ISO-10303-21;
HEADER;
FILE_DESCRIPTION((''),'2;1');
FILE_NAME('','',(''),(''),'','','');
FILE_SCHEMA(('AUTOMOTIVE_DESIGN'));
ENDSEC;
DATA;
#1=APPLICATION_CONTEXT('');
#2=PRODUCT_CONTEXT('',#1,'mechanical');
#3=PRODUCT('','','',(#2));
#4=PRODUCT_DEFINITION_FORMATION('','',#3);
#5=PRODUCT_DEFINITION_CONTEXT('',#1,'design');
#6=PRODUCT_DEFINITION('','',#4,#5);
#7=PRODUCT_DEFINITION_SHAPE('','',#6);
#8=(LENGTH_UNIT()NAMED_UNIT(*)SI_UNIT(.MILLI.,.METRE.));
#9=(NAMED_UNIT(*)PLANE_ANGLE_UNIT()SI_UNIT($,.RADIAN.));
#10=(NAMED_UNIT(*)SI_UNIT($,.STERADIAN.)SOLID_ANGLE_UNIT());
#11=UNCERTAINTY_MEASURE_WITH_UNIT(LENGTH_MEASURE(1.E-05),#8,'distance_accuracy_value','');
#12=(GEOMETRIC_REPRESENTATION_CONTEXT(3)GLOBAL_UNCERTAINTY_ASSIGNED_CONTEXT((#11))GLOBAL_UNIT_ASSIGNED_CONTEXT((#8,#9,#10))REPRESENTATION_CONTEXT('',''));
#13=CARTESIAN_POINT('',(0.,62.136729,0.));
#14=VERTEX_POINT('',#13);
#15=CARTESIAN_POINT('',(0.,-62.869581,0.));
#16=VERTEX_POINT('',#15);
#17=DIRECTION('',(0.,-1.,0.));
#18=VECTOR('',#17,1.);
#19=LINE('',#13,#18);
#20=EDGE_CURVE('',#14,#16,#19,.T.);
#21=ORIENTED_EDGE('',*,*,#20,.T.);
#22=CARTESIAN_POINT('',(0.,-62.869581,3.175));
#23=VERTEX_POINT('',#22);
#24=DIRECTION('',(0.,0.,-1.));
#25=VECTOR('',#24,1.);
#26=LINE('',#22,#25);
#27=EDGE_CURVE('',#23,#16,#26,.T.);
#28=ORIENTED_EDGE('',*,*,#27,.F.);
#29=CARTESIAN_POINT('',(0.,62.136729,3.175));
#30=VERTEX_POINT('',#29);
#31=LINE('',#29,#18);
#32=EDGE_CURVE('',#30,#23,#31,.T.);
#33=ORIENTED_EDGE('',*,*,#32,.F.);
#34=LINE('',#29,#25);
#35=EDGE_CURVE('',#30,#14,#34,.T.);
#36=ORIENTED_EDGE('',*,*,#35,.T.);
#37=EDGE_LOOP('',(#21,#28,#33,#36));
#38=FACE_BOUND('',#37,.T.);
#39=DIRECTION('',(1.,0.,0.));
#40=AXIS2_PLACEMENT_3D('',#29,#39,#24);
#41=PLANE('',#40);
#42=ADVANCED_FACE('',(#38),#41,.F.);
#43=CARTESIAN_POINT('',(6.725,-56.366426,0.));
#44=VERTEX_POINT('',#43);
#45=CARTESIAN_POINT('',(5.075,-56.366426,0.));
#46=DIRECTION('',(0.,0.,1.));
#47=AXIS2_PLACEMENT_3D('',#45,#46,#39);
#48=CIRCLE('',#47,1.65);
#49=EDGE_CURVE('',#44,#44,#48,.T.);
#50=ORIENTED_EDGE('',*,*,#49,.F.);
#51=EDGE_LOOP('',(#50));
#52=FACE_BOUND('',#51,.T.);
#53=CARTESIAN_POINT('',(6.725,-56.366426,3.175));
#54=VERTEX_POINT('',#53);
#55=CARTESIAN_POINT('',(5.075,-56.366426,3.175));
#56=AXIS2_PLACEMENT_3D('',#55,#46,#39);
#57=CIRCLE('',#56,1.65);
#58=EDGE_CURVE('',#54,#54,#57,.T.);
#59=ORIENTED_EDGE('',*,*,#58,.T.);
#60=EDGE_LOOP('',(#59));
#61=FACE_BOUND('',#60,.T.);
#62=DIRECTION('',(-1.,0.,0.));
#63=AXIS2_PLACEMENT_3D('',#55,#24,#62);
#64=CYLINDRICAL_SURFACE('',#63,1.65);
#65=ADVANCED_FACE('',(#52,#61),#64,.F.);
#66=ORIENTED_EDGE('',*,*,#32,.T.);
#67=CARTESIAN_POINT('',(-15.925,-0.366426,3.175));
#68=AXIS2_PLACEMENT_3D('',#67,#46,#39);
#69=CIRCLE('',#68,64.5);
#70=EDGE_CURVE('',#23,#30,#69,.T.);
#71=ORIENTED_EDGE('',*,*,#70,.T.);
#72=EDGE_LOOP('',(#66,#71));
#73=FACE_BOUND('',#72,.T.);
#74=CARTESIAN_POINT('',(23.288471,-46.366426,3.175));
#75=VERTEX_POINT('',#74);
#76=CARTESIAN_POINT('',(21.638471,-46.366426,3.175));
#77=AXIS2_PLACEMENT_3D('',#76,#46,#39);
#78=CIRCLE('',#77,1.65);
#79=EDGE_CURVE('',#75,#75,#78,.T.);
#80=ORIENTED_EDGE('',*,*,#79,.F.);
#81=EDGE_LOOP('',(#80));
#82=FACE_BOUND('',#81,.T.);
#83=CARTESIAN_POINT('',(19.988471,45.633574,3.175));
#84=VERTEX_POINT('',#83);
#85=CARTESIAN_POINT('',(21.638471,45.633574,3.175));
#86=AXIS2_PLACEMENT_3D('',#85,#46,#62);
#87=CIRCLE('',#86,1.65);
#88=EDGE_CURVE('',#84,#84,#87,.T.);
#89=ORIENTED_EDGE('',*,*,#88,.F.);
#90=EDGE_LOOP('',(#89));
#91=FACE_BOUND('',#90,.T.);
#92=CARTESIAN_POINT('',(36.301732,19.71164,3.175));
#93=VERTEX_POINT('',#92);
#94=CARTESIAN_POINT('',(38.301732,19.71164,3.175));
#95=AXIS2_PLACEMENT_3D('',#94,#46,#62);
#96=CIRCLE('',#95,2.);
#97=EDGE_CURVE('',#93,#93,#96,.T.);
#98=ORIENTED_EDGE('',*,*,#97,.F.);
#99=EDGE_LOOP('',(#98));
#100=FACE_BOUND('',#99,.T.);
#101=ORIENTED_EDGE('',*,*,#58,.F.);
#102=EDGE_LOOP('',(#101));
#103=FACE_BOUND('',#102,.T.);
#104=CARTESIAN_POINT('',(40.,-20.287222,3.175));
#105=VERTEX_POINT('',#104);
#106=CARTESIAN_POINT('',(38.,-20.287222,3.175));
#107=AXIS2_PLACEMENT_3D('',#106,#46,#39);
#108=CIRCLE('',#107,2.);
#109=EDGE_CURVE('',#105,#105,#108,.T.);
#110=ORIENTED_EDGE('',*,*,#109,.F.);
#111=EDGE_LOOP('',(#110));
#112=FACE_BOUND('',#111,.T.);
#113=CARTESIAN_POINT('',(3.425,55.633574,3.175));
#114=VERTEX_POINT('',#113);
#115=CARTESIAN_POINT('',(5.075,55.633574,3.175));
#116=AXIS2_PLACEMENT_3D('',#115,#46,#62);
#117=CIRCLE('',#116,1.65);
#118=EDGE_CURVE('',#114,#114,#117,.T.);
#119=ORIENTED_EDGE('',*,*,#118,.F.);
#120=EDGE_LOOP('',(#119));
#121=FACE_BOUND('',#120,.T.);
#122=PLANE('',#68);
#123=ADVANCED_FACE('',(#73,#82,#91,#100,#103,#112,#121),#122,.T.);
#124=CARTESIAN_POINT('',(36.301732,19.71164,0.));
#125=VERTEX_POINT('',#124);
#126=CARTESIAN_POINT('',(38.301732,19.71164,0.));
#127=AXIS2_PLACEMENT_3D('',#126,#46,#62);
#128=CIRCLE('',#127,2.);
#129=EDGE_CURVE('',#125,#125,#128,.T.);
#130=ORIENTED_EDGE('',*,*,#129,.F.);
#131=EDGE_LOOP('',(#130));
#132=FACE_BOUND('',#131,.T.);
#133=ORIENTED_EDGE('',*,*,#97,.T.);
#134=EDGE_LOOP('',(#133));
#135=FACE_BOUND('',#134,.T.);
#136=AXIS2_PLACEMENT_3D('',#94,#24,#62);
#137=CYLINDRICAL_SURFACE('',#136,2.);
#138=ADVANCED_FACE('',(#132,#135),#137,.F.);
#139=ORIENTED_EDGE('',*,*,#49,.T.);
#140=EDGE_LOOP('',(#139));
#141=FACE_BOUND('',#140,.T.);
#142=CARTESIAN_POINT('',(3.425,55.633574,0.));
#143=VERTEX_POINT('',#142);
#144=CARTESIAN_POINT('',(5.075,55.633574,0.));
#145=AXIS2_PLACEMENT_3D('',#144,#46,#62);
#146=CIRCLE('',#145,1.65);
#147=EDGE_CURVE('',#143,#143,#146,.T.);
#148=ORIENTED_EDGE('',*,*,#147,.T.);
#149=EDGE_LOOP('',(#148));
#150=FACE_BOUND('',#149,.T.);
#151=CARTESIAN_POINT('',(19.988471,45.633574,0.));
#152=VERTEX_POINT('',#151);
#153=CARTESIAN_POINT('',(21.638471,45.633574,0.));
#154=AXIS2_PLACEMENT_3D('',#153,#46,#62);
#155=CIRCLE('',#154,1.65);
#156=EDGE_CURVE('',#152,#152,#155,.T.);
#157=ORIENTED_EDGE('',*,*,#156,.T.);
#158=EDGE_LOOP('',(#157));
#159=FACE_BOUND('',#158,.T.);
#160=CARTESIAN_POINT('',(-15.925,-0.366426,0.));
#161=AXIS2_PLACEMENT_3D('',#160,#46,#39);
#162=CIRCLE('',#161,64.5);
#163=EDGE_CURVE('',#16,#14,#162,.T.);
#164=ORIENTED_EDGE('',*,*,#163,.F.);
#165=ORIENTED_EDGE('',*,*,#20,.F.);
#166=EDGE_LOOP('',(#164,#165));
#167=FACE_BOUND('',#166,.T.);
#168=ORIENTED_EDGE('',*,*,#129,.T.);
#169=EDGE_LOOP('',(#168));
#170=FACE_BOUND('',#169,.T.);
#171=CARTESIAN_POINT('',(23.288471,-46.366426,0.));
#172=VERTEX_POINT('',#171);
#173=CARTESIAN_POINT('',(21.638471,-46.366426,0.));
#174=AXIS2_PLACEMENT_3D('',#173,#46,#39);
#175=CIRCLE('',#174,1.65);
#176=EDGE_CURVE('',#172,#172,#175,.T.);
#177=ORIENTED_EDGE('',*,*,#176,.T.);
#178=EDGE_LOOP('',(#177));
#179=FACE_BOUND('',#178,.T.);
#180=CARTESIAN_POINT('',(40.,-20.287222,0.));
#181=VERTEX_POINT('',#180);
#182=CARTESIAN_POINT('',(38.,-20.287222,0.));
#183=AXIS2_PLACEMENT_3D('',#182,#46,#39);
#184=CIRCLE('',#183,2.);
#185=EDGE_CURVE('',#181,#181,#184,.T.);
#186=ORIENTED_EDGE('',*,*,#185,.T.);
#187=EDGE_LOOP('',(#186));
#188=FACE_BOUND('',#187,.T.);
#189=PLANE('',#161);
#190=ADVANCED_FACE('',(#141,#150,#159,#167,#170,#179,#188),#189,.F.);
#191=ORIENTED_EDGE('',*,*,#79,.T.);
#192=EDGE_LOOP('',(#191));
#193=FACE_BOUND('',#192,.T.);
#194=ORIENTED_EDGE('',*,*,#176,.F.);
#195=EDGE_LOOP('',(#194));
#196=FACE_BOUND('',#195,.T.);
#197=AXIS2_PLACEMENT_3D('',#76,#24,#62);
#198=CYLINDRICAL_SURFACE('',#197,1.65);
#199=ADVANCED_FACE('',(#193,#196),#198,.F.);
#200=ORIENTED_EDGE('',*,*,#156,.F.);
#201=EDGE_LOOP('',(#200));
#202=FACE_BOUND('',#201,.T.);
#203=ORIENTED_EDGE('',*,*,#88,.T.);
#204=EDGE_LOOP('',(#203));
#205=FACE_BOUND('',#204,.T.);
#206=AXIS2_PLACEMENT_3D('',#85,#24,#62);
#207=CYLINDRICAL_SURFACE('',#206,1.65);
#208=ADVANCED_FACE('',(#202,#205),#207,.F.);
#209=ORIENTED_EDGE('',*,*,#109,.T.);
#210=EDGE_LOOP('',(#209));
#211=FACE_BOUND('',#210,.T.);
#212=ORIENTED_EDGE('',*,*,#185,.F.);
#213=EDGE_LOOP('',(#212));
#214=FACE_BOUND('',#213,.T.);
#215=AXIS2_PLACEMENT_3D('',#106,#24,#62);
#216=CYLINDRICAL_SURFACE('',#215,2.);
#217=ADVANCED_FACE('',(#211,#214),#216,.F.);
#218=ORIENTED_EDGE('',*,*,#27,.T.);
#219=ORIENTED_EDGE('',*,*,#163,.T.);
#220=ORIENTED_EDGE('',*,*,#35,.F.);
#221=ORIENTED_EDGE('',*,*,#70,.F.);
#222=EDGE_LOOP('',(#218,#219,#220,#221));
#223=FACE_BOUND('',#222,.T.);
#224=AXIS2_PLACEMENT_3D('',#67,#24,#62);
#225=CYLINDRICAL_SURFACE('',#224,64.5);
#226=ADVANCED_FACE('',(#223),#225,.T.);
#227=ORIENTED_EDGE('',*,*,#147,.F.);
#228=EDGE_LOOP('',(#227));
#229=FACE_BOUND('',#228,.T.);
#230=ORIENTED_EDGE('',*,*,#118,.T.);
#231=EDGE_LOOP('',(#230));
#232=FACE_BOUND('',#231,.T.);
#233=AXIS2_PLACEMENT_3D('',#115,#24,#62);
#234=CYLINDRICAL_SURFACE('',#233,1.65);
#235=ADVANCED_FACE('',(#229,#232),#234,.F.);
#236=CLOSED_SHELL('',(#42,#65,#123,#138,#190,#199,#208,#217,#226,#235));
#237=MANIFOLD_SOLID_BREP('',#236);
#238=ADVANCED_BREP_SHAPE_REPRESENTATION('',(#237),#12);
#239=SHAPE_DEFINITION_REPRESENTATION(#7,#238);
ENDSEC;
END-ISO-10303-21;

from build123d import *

# Parameters (mm, degrees)
SKETCH1_R           = 1.65
SKETCH1_R_2         = 2
BOSS_EXTRUDE1_DEPTH = 3.175


with BuildPart() as part:
    # Sketch1 → Boss-Extrude1 (new body)
    with BuildSketch(Plane(origin=(0, 0, 0), x_dir=(-1, 0, 0), z_dir=(0, 0, 1))):
        with BuildLine():
            Line((0, -62.136729163), (0, 62.869580678))
            ThreePointArc((0, 62.869580678), (-48.575, 0.366425758), (0, -62.136729163))
        make_face()
        with Locations((-5.075, 56.366425758)):
            Circle(SKETCH1_R, mode=Mode.SUBTRACT)
        with Locations((-21.638471196, 46.366425758)):
            Circle(SKETCH1_R, mode=Mode.SUBTRACT)
        with Locations((-5.075, -55.633574242)):
            Circle(SKETCH1_R, mode=Mode.SUBTRACT)
        with Locations((-21.638471196, -45.633574242)):
            Circle(SKETCH1_R, mode=Mode.SUBTRACT)
        with Locations((-38, 20.287222228)):
            Circle(SKETCH1_R_2, mode=Mode.SUBTRACT)
        with Locations((-38.301731617, -19.711639731)):
            Circle(SKETCH1_R_2, mode=Mode.SUBTRACT)
    extrude(amount=BOSS_EXTRUDE1_DEPTH)


solid = part.part
